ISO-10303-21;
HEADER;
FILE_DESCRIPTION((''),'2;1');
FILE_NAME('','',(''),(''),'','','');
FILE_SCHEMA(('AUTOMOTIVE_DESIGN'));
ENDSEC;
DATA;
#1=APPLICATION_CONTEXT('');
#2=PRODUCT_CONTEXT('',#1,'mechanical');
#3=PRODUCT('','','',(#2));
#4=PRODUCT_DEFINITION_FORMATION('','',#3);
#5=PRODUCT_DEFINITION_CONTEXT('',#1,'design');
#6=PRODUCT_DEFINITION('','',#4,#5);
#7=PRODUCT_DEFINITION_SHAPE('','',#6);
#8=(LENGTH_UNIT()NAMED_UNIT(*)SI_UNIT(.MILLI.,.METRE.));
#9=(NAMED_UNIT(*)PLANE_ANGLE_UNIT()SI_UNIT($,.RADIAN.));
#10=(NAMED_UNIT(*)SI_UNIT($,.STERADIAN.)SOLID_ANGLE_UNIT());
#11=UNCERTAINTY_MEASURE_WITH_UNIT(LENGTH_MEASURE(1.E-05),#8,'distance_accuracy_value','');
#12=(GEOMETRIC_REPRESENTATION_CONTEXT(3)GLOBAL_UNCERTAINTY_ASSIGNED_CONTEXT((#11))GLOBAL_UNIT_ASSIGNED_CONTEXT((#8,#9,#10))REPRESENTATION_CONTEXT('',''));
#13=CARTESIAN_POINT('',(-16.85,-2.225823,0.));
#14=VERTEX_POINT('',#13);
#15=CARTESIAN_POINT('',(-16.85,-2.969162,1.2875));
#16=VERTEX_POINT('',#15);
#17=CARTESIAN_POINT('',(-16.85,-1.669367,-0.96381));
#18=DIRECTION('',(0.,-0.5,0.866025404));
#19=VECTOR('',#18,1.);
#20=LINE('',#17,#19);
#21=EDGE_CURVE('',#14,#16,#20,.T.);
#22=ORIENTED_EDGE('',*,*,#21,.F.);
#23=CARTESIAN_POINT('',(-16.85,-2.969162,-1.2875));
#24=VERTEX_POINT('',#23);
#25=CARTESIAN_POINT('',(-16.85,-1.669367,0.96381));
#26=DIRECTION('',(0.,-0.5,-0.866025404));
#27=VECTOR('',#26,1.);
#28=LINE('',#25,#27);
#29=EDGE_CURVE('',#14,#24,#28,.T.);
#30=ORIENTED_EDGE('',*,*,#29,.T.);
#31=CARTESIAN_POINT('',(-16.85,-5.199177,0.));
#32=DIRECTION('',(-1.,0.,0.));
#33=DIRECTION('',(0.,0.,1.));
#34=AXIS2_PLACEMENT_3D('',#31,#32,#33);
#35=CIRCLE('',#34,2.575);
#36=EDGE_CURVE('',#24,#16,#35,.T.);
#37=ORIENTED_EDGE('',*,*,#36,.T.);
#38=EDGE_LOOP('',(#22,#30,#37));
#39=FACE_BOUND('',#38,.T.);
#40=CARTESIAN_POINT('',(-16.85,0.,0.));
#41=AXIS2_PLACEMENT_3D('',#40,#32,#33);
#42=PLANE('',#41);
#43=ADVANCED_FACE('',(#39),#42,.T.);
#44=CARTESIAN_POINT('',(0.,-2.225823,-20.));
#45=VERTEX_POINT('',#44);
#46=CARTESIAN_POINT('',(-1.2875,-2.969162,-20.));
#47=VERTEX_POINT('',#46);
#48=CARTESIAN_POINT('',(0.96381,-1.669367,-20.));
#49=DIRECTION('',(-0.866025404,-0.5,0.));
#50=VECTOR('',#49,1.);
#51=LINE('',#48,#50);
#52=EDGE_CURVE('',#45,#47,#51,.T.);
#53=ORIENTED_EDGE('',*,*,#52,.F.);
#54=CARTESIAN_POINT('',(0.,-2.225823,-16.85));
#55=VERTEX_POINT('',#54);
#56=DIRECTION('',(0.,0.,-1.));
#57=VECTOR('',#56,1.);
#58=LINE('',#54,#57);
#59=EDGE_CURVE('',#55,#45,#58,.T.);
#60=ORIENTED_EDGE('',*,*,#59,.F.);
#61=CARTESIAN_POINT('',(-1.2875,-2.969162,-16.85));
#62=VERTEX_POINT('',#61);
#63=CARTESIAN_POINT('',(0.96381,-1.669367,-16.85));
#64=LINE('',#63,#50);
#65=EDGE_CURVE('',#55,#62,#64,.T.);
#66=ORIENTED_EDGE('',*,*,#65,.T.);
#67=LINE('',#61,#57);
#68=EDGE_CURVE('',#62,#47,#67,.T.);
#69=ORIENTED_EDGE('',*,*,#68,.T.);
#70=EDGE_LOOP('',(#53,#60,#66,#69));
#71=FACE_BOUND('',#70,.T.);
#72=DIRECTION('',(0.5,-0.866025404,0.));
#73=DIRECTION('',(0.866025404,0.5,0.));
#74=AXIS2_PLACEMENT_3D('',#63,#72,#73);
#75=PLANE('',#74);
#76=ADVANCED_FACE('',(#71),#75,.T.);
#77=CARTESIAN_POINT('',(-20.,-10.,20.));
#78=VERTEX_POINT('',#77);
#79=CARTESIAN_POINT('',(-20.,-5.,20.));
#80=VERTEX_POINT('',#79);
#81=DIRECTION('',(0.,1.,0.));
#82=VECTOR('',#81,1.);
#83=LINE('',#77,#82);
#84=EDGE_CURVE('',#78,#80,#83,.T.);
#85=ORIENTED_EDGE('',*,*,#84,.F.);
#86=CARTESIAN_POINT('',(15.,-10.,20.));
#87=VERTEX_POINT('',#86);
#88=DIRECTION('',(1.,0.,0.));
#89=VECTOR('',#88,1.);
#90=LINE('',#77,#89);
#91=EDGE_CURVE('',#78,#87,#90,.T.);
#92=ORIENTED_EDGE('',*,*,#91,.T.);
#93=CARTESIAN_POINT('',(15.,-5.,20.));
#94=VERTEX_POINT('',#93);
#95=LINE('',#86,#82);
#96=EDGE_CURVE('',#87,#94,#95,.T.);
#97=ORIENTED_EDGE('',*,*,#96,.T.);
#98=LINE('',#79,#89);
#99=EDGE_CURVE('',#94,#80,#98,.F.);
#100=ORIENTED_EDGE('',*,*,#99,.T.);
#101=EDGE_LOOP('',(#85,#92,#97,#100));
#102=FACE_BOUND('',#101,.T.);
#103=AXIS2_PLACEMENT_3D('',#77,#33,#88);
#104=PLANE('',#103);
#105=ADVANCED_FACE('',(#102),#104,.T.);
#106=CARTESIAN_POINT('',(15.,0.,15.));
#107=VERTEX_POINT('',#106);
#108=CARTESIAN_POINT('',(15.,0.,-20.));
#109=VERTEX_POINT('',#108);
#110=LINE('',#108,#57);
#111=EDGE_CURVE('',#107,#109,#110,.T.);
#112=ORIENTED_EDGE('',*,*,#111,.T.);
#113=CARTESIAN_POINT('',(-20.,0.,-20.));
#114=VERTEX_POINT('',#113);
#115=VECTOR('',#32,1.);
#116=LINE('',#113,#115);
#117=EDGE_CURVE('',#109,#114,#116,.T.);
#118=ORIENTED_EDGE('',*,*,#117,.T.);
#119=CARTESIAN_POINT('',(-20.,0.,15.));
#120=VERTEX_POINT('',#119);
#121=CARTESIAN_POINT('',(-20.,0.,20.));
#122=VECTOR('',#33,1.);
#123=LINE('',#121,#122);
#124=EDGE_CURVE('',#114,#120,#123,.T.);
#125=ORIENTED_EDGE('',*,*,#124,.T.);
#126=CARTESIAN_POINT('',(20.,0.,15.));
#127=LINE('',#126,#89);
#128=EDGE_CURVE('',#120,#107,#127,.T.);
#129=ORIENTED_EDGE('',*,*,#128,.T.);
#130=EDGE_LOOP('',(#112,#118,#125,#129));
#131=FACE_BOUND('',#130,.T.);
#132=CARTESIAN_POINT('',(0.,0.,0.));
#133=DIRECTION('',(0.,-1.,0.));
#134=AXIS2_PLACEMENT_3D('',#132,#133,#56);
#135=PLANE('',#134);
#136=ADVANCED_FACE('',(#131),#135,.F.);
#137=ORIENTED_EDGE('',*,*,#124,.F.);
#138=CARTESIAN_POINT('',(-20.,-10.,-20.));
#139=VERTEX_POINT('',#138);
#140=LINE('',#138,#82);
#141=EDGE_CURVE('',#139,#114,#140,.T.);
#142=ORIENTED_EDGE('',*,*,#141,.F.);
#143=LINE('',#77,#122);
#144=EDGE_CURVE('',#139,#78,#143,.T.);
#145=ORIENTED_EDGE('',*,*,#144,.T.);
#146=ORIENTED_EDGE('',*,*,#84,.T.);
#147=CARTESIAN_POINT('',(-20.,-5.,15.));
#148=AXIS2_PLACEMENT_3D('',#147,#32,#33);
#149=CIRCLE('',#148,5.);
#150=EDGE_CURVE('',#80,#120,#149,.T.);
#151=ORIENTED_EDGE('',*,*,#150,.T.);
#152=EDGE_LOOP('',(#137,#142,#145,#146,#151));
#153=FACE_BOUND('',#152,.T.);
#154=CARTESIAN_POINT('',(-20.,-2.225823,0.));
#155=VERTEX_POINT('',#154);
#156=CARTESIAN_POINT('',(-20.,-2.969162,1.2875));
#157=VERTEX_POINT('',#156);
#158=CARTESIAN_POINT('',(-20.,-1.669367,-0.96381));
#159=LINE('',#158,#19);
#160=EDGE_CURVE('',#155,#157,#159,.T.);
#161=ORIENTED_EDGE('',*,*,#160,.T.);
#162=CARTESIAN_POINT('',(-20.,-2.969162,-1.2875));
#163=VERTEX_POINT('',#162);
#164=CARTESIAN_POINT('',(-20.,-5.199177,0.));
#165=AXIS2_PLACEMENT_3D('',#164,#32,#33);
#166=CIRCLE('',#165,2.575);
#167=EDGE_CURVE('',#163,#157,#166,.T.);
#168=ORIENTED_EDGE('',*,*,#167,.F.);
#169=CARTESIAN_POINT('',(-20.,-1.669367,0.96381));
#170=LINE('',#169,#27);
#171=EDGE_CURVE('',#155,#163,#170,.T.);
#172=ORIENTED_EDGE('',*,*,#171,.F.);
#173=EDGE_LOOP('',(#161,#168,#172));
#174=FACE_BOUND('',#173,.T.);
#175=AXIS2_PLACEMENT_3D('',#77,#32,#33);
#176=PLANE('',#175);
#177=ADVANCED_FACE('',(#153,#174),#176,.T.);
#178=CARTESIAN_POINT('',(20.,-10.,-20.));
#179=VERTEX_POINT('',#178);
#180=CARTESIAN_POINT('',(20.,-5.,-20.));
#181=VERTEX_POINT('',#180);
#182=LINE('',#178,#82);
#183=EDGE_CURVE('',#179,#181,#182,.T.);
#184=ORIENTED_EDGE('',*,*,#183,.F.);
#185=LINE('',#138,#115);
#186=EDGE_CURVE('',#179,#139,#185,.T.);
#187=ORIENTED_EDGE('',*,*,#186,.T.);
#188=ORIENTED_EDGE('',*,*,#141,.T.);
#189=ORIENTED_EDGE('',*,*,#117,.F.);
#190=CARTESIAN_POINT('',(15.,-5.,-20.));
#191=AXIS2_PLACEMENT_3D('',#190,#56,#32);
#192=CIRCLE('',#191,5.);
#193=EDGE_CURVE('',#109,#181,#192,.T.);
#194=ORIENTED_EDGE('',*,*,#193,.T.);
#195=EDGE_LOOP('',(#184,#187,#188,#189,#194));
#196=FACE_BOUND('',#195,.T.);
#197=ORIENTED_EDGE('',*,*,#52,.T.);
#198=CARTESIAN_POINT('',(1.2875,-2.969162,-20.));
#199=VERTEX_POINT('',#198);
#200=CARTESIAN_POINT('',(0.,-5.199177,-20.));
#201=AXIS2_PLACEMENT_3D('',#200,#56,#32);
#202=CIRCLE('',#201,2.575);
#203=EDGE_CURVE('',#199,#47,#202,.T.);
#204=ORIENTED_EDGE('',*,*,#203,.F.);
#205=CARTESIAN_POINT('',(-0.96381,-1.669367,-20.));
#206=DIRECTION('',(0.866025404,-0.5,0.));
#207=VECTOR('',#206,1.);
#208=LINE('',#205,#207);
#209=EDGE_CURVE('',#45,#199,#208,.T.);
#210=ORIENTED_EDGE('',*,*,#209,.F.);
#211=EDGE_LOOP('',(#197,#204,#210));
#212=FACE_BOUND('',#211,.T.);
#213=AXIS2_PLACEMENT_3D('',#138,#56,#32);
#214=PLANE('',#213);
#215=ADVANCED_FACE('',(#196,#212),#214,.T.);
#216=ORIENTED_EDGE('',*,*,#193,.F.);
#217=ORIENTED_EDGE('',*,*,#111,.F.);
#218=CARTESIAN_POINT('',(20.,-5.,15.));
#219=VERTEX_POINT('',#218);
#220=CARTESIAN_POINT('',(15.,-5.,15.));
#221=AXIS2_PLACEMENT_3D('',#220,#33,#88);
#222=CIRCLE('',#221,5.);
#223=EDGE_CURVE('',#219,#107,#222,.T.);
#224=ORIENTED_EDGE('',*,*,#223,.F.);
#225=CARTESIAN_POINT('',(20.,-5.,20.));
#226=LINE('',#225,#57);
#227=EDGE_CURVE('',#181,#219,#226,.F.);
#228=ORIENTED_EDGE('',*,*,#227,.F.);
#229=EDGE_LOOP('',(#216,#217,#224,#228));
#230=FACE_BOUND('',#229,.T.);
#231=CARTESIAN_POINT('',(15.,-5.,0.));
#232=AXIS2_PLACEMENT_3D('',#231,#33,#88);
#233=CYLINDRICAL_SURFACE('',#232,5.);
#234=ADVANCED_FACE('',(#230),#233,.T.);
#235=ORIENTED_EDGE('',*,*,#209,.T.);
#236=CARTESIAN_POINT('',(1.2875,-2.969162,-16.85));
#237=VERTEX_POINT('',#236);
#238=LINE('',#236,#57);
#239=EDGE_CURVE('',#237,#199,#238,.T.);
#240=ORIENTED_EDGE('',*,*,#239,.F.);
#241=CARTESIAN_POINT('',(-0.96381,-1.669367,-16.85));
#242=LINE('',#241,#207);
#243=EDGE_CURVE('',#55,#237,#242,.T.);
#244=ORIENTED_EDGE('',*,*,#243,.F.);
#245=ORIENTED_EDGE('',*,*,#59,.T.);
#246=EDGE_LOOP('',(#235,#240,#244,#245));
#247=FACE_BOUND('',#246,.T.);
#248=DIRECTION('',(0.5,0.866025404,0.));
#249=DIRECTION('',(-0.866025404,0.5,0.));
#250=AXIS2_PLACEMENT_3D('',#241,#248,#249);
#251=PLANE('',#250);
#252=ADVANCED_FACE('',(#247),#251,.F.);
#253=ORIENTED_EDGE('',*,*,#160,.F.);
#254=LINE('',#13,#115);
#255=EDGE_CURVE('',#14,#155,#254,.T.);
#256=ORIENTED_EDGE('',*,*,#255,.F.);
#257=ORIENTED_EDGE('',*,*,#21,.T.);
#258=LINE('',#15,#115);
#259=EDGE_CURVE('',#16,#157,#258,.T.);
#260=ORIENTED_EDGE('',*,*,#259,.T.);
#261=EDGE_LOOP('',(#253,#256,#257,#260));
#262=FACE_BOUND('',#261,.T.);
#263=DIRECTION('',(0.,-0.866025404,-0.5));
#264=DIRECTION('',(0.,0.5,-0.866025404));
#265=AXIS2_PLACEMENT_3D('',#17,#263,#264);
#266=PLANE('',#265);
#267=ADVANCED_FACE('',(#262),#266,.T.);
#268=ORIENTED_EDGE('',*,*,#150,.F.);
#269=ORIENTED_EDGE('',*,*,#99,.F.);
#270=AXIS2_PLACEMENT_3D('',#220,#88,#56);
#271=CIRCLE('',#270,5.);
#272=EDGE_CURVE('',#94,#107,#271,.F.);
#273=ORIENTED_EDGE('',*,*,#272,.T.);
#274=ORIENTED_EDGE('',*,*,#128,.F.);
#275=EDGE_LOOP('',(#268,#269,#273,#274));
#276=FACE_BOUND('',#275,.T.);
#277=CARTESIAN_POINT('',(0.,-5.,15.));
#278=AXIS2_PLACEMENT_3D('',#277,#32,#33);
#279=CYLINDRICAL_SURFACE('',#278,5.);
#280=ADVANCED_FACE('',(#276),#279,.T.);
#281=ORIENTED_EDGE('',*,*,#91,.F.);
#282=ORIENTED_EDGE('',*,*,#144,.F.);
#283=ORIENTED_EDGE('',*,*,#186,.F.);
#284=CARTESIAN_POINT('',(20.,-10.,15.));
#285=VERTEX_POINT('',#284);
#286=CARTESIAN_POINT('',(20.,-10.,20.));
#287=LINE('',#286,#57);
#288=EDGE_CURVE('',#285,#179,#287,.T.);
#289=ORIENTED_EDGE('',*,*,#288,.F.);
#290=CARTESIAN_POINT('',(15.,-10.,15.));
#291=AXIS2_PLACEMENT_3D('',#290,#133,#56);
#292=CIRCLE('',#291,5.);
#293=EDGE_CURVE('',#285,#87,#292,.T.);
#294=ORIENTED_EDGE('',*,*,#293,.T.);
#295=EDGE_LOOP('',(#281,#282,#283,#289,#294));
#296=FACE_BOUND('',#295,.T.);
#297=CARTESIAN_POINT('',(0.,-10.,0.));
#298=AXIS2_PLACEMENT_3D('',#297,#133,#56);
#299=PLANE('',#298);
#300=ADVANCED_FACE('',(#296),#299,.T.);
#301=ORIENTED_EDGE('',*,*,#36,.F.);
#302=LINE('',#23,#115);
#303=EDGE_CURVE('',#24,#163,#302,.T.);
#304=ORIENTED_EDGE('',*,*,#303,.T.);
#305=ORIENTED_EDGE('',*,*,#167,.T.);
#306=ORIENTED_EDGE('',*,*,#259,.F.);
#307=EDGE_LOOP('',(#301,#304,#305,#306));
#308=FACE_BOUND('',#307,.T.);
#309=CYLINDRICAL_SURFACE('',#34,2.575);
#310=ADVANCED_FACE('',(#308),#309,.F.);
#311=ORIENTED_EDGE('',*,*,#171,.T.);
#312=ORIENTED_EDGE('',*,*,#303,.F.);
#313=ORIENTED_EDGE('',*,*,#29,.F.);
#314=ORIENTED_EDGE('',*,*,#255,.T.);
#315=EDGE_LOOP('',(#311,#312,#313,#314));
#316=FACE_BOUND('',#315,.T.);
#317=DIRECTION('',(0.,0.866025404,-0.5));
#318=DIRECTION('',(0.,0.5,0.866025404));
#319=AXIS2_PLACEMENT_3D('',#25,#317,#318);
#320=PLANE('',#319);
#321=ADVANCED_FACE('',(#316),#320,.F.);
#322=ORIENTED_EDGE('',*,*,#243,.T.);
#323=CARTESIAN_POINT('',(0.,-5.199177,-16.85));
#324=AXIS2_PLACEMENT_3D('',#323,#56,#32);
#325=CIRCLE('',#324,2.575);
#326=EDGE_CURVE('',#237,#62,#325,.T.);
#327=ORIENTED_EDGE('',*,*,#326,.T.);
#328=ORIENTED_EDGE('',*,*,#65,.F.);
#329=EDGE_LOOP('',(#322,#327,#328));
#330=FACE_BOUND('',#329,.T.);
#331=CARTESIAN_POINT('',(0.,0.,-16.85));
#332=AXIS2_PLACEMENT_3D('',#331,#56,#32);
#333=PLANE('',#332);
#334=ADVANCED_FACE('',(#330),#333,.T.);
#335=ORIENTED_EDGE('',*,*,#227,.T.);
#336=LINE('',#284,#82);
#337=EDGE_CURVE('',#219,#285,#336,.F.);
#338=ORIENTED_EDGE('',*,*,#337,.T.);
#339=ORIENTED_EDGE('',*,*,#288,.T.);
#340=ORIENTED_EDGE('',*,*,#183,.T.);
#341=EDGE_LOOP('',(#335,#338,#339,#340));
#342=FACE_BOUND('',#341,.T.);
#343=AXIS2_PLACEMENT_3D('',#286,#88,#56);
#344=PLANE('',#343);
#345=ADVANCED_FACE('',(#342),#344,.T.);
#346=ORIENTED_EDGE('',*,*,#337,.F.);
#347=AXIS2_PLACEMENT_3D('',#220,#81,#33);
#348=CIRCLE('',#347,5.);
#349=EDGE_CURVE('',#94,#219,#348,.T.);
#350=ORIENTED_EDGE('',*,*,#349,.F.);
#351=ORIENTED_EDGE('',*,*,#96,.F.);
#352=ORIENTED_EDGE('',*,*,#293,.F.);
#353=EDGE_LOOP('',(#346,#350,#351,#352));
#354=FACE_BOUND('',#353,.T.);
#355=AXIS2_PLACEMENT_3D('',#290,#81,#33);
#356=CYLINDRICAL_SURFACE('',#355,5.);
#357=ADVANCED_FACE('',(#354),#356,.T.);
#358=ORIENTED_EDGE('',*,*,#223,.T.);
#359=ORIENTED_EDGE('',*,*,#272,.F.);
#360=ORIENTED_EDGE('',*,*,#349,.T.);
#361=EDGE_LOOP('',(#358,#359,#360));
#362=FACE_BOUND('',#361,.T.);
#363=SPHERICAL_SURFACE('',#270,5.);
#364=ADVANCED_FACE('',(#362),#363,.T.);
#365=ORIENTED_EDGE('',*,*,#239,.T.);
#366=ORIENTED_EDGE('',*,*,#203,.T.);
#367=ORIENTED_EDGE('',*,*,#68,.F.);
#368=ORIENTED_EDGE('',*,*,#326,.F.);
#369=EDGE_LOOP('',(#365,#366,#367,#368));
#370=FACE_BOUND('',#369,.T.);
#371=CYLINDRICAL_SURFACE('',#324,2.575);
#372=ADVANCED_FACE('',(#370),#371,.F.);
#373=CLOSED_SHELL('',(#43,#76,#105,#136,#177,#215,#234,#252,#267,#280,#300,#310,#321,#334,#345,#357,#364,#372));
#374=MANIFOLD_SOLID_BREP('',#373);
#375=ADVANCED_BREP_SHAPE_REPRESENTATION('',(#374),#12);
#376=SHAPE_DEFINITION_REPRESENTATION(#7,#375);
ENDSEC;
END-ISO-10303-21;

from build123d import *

# Parameters (mm, degrees)
SKETCH_1_W               = 40
SKETCH_1_H               = 40
EXTRUDE_1_DEPTH          = 10
SKETCH_7_R               = 2.575
CUT_EXTRUDE_2_DEPTH      = 3.15
PATTERN_CIRCULAR_1_COUNT = 2
PATTERN_CIRCULAR_1_ANGLE = 90
FILLET_2_R               = 5


with BuildPart() as part:
    # Эскиз1 → Бобышка-Вытянуть1 (new body)
    with BuildSketch(Plane(origin=(0, 0, 0), x_dir=(1, 0, 0), z_dir=(0, 1, 0))):
        Rectangle(SKETCH_1_W, SKETCH_1_H)
    extrude(amount=-EXTRUDE_1_DEPTH)

    # Эскиз7 → Вырез-Вытянуть2 (cut)
    with BuildSketch(Plane.ZY.offset(20)):
        with Locations((0, -5.199176943)):
            Circle(SKETCH_7_R)
        with BuildLine():
            Line((1.2875, -2.969161528), (0, -2.225823057))
            Line((0, -2.225823057), (-1.2875, -2.969161528))
            ThreePointArc((-1.2875, -2.969161528), (0, -2.624176943), (1.2875, -2.969161528))
        make_face()
    cut_extrude_2 = extrude(amount=-CUT_EXTRUDE_2_DEPTH, mode=Mode.SUBTRACT)

    # Круговой массив1: Вырез-Вытянуть2 ×2 about axis
    pattern_circular_1_axis = Axis((0, -10, 0), (0, -1, 0))
    for i in range(1, PATTERN_CIRCULAR_1_COUNT):
        add(cut_extrude_2.rotate(pattern_circular_1_axis, i * PATTERN_CIRCULAR_1_ANGLE / (PATTERN_CIRCULAR_1_COUNT - 1)), mode=Mode.SUBTRACT)

    # Скругление2
    fillet_2_edges = [part.edges().sort_by_distance(p)[0] for p in [
        (20, 0, 0),
        (0, 0, 20),
        (20, -5, 20),
    ]]
    fillet(fillet_2_edges, radius=FILLET_2_R)


solid = part.part
